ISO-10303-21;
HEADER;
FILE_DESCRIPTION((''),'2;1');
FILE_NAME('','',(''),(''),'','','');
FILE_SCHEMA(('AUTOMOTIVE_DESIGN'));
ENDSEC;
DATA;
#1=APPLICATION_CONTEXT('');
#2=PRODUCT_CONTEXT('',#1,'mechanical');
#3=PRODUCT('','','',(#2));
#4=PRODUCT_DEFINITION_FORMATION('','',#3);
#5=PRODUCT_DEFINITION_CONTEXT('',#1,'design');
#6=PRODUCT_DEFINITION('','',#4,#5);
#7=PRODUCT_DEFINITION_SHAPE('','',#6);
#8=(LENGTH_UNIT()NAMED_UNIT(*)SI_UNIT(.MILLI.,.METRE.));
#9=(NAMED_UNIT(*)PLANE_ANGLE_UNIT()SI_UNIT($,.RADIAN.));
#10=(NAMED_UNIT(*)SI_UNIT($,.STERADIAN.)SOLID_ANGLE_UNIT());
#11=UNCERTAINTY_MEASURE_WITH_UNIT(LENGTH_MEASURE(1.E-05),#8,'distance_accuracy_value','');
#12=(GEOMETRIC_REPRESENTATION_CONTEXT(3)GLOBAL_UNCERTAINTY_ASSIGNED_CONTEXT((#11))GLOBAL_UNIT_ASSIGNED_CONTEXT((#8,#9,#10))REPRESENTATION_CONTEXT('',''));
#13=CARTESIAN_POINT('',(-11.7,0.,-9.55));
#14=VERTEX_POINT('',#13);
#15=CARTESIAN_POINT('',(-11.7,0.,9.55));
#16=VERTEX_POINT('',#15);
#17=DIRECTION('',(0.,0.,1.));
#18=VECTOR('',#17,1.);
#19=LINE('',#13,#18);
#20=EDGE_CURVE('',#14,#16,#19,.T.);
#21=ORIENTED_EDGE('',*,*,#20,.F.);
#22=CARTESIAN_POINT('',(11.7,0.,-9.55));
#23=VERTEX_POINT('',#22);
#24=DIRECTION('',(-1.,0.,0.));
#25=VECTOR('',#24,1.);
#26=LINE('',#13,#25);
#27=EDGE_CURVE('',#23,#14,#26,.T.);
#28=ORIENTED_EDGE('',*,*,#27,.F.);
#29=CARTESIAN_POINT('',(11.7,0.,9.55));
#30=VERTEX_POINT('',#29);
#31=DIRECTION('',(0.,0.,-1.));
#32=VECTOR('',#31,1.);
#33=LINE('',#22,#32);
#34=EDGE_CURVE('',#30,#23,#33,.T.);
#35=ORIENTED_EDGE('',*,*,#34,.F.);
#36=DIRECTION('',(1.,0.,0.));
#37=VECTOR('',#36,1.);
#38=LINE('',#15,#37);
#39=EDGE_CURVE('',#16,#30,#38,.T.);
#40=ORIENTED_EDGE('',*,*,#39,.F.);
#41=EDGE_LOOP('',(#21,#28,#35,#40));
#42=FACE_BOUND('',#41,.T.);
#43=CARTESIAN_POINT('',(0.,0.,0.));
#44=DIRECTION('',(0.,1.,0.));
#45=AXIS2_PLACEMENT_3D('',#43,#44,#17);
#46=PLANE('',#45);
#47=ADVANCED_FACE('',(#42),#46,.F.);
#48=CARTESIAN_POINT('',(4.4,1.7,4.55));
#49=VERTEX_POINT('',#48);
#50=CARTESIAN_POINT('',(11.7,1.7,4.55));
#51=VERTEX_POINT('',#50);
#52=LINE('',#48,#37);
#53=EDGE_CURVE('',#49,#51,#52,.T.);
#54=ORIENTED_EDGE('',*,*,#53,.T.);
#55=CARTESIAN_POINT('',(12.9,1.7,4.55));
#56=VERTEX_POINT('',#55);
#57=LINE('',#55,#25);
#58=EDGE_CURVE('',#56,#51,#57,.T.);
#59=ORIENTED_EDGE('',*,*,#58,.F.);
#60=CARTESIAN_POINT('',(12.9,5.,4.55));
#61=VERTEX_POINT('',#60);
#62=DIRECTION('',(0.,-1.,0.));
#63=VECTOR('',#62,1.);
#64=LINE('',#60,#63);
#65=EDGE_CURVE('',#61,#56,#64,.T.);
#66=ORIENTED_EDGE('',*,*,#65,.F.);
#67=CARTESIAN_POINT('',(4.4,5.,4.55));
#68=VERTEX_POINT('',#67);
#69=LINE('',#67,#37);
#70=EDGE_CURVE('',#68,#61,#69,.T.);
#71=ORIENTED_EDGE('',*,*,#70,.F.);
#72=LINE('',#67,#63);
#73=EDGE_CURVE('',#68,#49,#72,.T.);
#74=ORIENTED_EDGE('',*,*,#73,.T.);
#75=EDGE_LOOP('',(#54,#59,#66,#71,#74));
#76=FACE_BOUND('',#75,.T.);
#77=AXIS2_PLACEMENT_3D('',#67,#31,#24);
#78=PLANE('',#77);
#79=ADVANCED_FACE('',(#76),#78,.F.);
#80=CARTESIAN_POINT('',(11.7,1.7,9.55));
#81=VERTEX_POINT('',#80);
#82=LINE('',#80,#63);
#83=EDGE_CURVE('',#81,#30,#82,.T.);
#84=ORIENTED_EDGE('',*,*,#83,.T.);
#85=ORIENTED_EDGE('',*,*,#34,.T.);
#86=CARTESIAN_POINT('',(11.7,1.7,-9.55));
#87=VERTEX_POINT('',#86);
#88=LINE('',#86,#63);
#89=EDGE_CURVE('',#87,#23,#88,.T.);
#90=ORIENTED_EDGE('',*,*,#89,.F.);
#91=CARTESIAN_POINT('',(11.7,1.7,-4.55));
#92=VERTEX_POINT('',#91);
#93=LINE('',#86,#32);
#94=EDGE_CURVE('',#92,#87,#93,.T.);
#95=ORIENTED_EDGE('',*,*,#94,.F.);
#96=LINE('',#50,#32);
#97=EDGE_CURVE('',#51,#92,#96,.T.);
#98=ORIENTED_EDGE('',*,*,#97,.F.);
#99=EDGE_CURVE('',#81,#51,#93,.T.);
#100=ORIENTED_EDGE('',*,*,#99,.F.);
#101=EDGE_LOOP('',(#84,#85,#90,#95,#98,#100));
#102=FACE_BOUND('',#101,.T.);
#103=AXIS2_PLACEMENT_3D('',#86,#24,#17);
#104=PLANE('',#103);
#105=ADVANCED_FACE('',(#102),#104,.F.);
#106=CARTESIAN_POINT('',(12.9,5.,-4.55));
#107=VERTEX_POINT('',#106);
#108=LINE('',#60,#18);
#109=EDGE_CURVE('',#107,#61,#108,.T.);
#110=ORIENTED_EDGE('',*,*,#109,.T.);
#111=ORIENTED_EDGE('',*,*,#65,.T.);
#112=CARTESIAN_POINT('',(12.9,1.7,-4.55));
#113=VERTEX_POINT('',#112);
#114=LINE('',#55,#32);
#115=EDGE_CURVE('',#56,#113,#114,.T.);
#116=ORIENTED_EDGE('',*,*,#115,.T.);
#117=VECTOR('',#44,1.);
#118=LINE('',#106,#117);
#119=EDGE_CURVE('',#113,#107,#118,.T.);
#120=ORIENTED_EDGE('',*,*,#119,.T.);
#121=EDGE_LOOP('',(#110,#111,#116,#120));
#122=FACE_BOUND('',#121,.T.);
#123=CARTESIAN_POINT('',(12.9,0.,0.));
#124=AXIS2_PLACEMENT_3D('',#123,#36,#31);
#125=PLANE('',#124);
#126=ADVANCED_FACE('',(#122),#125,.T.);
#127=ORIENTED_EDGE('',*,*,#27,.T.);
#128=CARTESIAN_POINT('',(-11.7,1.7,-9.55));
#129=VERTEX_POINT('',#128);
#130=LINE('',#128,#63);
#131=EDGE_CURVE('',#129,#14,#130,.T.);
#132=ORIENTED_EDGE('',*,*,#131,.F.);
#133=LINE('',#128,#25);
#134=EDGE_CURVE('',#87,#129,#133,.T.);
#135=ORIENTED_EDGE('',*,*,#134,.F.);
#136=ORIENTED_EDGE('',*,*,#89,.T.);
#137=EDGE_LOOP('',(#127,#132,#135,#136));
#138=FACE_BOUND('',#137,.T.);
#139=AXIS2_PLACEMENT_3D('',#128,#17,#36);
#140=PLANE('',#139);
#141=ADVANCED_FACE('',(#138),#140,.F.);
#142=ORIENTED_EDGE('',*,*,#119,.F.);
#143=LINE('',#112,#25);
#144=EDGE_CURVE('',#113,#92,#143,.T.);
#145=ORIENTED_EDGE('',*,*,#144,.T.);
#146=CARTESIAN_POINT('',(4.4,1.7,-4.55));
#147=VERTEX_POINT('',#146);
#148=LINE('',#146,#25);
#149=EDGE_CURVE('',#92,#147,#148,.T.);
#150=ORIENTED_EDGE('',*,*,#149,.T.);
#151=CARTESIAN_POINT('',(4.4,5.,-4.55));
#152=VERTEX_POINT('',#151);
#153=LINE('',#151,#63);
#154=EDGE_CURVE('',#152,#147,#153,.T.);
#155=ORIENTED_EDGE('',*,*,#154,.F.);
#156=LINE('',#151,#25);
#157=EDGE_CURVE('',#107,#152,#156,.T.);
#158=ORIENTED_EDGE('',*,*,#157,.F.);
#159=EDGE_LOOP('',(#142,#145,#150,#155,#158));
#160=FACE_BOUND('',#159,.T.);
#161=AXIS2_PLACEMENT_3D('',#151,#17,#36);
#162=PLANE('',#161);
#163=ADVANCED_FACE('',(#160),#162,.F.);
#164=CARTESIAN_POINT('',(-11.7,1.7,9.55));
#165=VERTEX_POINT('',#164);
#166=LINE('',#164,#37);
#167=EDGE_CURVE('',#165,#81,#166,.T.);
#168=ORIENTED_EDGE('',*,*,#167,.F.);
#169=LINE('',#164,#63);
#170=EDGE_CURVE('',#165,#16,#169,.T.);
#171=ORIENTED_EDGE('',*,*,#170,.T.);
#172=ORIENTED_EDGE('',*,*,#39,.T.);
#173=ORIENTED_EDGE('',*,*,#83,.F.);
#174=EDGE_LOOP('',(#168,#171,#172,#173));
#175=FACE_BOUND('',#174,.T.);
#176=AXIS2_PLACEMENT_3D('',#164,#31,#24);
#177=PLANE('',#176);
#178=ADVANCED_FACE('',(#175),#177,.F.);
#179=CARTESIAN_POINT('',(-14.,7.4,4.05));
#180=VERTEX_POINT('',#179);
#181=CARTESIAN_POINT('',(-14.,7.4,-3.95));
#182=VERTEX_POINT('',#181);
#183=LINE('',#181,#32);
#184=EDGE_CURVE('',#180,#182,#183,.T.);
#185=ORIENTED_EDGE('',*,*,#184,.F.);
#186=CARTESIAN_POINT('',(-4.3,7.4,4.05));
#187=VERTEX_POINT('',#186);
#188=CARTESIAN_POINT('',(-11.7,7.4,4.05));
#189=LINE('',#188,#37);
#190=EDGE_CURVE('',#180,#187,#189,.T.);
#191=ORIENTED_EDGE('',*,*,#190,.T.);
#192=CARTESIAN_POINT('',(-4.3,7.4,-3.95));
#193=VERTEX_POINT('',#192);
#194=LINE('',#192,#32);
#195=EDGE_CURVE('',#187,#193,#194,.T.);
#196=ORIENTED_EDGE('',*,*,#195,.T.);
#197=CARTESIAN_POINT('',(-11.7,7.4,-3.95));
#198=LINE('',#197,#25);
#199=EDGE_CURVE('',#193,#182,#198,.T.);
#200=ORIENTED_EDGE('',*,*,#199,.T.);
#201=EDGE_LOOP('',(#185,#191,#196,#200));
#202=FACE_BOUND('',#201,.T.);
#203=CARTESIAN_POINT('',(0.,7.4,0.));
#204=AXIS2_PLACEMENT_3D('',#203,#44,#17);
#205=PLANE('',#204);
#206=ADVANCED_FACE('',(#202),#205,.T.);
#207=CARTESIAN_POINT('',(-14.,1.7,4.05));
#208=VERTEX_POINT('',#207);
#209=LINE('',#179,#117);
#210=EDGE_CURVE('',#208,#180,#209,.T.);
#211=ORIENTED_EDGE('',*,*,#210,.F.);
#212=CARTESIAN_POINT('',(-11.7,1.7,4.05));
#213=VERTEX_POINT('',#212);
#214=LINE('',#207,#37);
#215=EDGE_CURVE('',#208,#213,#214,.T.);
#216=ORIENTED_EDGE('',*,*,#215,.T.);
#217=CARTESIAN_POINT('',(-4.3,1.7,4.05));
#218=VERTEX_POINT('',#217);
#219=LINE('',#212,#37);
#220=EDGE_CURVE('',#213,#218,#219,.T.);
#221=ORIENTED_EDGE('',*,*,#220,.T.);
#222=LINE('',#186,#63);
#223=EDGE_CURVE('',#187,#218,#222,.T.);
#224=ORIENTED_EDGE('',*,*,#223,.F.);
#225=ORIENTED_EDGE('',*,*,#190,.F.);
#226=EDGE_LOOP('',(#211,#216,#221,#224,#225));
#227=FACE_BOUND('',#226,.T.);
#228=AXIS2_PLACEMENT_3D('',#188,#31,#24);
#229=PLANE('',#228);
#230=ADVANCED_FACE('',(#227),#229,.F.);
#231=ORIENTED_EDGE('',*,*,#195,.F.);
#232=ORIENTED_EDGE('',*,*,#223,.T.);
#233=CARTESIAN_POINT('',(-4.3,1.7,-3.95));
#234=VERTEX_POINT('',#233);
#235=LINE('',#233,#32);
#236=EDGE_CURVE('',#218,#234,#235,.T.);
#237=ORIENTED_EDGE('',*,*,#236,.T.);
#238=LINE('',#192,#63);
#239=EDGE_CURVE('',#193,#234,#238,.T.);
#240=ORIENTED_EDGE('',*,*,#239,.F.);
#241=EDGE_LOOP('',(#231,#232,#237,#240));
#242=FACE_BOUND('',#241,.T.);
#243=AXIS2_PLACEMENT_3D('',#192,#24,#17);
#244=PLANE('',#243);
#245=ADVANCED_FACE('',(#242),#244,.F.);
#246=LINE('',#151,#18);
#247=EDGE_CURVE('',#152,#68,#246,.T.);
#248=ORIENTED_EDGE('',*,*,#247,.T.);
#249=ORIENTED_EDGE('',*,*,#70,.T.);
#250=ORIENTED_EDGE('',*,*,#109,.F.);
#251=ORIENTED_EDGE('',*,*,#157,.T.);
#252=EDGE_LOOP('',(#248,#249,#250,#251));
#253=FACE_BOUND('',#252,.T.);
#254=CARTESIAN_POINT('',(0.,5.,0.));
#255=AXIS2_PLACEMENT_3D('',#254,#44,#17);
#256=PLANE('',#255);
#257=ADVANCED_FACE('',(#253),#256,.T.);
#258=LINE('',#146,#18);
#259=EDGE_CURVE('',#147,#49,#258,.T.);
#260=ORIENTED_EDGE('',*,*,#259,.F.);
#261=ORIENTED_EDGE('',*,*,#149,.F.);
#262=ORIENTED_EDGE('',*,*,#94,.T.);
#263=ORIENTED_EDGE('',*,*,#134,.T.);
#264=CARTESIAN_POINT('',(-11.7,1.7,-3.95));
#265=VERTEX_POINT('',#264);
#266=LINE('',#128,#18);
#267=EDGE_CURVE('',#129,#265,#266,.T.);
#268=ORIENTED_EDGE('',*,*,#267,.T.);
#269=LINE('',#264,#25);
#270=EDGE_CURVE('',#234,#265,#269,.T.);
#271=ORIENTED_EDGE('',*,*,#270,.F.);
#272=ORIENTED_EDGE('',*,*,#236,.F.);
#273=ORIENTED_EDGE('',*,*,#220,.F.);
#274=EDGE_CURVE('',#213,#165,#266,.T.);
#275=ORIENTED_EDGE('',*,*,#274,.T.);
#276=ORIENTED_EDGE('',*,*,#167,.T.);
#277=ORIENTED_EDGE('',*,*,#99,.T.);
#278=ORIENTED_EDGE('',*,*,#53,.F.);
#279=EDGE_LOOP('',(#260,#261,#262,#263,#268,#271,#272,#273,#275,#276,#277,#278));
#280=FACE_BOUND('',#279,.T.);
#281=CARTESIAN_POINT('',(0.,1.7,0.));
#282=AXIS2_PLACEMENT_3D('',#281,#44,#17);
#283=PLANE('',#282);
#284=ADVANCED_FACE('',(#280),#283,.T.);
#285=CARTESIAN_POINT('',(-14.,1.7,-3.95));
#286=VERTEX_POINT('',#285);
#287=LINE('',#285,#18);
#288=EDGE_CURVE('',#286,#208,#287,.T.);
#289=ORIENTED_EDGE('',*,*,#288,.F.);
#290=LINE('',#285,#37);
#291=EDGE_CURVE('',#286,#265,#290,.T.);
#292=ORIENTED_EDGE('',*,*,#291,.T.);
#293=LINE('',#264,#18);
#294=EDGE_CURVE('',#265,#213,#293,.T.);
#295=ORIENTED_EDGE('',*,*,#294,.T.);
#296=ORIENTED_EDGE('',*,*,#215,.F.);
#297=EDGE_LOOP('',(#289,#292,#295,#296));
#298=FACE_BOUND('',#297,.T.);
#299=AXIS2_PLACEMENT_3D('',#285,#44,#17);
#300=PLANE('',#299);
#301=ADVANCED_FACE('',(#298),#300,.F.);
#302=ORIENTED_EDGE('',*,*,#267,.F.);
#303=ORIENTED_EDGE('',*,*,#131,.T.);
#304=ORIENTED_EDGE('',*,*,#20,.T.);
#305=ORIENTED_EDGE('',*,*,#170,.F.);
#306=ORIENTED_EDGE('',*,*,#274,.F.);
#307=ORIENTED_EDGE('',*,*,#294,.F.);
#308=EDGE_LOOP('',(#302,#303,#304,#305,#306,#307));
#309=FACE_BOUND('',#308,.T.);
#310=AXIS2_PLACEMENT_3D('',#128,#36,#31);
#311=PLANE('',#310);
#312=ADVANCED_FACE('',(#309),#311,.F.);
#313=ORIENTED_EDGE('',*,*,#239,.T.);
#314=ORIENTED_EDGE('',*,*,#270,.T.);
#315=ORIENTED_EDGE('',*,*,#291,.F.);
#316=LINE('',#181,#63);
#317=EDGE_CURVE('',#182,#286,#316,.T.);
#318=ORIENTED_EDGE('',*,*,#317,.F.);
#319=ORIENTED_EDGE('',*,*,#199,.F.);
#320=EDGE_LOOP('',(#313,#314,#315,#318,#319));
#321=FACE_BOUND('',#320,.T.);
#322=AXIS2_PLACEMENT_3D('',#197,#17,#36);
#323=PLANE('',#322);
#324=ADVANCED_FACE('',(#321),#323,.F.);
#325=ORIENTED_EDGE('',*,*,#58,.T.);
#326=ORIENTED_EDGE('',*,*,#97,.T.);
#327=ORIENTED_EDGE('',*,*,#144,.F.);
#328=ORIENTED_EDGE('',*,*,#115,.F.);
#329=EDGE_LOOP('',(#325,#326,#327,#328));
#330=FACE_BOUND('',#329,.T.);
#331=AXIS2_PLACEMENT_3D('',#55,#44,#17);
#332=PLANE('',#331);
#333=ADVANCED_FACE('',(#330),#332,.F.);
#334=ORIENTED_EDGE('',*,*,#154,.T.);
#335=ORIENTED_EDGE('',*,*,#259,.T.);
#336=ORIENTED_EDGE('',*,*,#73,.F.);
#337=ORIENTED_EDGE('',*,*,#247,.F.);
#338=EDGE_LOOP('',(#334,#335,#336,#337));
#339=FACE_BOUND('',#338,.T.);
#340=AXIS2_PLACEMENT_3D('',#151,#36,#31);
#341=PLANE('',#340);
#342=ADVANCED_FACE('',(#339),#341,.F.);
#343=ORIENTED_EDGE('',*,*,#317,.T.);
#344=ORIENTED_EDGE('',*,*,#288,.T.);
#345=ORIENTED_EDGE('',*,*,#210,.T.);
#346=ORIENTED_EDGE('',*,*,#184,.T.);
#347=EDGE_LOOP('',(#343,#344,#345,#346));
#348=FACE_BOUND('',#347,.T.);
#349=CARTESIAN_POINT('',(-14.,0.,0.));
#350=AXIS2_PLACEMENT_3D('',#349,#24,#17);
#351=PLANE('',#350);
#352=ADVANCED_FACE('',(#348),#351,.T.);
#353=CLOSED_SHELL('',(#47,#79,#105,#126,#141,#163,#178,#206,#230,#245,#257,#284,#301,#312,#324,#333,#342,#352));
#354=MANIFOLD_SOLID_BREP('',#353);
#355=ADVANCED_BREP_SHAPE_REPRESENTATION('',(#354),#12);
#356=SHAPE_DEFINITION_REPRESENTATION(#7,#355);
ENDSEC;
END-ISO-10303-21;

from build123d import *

# Parameters (mm, degrees)
SKETCH1_W           = 23.4
SKETCH1_H           = 19.1
BOSS_EXTRUDE1_DEPTH = 1.7
SKETCH2_W           = 7.3
SKETCH2_H           = 9.1
BOSS_EXTRUDE2_DEPTH = 3.3
SKETCH3_W           = 9.1
SKETCH3_H           = 3.3
BOSS_EXTRUDE3_DEPTH = 1.2
SKETCH4_W           = 7.4
SKETCH4_H           = 8
BOSS_EXTRUDE5_DEPTH = 5.7
SKETCH5_W           = 8
SKETCH5_H           = 5.7
BOSS_EXTRUDE6_DEPTH = 2.3


with BuildPart() as part:
    # Sketch1 → Boss-Extrude1 (new body)
    with BuildSketch(Plane(origin=(0, 0, 0), x_dir=(1, 0, 0), z_dir=(0, 1, 0))):
        Rectangle(SKETCH1_W, SKETCH1_H)
    extrude(amount=BOSS_EXTRUDE1_DEPTH)

    # Sketch2 → Boss-Extrude2 (add)
    with BuildSketch(Plane(origin=(0, 1.7, 0), x_dir=(1, 0, 0), z_dir=(0, 1, 0))):
        with Locations((8.05, 0)):
            Rectangle(SKETCH2_W, SKETCH2_H)
    extrude(amount=BOSS_EXTRUDE2_DEPTH)

    # Sketch3 → Boss-Extrude3 (add)
    with BuildSketch(Plane(origin=(11.7, 0, 0), x_dir=(0, 0, -1), z_dir=(1, 0, 0))):
        with Locations((0, 3.35)):
            Rectangle(SKETCH3_W, SKETCH3_H)
    extrude(amount=BOSS_EXTRUDE3_DEPTH)

    # Sketch4 → Boss-Extrude5 (add)
    with BuildSketch(Plane(origin=(0, 1.7, 0), x_dir=(1, 0, 0), z_dir=(0, 1, 0))):
        with Locations((-8, -0.05)):
            Rectangle(SKETCH4_W, SKETCH4_H)
    extrude(amount=BOSS_EXTRUDE5_DEPTH)

    # Sketch5 → Boss-Extrude6 (add)
    with BuildSketch(Plane.ZY.offset(11.7)):
        with Locations((0.05, 4.55)):
            Rectangle(SKETCH5_W, SKETCH5_H)
    extrude(amount=BOSS_EXTRUDE6_DEPTH)


solid = part.part
